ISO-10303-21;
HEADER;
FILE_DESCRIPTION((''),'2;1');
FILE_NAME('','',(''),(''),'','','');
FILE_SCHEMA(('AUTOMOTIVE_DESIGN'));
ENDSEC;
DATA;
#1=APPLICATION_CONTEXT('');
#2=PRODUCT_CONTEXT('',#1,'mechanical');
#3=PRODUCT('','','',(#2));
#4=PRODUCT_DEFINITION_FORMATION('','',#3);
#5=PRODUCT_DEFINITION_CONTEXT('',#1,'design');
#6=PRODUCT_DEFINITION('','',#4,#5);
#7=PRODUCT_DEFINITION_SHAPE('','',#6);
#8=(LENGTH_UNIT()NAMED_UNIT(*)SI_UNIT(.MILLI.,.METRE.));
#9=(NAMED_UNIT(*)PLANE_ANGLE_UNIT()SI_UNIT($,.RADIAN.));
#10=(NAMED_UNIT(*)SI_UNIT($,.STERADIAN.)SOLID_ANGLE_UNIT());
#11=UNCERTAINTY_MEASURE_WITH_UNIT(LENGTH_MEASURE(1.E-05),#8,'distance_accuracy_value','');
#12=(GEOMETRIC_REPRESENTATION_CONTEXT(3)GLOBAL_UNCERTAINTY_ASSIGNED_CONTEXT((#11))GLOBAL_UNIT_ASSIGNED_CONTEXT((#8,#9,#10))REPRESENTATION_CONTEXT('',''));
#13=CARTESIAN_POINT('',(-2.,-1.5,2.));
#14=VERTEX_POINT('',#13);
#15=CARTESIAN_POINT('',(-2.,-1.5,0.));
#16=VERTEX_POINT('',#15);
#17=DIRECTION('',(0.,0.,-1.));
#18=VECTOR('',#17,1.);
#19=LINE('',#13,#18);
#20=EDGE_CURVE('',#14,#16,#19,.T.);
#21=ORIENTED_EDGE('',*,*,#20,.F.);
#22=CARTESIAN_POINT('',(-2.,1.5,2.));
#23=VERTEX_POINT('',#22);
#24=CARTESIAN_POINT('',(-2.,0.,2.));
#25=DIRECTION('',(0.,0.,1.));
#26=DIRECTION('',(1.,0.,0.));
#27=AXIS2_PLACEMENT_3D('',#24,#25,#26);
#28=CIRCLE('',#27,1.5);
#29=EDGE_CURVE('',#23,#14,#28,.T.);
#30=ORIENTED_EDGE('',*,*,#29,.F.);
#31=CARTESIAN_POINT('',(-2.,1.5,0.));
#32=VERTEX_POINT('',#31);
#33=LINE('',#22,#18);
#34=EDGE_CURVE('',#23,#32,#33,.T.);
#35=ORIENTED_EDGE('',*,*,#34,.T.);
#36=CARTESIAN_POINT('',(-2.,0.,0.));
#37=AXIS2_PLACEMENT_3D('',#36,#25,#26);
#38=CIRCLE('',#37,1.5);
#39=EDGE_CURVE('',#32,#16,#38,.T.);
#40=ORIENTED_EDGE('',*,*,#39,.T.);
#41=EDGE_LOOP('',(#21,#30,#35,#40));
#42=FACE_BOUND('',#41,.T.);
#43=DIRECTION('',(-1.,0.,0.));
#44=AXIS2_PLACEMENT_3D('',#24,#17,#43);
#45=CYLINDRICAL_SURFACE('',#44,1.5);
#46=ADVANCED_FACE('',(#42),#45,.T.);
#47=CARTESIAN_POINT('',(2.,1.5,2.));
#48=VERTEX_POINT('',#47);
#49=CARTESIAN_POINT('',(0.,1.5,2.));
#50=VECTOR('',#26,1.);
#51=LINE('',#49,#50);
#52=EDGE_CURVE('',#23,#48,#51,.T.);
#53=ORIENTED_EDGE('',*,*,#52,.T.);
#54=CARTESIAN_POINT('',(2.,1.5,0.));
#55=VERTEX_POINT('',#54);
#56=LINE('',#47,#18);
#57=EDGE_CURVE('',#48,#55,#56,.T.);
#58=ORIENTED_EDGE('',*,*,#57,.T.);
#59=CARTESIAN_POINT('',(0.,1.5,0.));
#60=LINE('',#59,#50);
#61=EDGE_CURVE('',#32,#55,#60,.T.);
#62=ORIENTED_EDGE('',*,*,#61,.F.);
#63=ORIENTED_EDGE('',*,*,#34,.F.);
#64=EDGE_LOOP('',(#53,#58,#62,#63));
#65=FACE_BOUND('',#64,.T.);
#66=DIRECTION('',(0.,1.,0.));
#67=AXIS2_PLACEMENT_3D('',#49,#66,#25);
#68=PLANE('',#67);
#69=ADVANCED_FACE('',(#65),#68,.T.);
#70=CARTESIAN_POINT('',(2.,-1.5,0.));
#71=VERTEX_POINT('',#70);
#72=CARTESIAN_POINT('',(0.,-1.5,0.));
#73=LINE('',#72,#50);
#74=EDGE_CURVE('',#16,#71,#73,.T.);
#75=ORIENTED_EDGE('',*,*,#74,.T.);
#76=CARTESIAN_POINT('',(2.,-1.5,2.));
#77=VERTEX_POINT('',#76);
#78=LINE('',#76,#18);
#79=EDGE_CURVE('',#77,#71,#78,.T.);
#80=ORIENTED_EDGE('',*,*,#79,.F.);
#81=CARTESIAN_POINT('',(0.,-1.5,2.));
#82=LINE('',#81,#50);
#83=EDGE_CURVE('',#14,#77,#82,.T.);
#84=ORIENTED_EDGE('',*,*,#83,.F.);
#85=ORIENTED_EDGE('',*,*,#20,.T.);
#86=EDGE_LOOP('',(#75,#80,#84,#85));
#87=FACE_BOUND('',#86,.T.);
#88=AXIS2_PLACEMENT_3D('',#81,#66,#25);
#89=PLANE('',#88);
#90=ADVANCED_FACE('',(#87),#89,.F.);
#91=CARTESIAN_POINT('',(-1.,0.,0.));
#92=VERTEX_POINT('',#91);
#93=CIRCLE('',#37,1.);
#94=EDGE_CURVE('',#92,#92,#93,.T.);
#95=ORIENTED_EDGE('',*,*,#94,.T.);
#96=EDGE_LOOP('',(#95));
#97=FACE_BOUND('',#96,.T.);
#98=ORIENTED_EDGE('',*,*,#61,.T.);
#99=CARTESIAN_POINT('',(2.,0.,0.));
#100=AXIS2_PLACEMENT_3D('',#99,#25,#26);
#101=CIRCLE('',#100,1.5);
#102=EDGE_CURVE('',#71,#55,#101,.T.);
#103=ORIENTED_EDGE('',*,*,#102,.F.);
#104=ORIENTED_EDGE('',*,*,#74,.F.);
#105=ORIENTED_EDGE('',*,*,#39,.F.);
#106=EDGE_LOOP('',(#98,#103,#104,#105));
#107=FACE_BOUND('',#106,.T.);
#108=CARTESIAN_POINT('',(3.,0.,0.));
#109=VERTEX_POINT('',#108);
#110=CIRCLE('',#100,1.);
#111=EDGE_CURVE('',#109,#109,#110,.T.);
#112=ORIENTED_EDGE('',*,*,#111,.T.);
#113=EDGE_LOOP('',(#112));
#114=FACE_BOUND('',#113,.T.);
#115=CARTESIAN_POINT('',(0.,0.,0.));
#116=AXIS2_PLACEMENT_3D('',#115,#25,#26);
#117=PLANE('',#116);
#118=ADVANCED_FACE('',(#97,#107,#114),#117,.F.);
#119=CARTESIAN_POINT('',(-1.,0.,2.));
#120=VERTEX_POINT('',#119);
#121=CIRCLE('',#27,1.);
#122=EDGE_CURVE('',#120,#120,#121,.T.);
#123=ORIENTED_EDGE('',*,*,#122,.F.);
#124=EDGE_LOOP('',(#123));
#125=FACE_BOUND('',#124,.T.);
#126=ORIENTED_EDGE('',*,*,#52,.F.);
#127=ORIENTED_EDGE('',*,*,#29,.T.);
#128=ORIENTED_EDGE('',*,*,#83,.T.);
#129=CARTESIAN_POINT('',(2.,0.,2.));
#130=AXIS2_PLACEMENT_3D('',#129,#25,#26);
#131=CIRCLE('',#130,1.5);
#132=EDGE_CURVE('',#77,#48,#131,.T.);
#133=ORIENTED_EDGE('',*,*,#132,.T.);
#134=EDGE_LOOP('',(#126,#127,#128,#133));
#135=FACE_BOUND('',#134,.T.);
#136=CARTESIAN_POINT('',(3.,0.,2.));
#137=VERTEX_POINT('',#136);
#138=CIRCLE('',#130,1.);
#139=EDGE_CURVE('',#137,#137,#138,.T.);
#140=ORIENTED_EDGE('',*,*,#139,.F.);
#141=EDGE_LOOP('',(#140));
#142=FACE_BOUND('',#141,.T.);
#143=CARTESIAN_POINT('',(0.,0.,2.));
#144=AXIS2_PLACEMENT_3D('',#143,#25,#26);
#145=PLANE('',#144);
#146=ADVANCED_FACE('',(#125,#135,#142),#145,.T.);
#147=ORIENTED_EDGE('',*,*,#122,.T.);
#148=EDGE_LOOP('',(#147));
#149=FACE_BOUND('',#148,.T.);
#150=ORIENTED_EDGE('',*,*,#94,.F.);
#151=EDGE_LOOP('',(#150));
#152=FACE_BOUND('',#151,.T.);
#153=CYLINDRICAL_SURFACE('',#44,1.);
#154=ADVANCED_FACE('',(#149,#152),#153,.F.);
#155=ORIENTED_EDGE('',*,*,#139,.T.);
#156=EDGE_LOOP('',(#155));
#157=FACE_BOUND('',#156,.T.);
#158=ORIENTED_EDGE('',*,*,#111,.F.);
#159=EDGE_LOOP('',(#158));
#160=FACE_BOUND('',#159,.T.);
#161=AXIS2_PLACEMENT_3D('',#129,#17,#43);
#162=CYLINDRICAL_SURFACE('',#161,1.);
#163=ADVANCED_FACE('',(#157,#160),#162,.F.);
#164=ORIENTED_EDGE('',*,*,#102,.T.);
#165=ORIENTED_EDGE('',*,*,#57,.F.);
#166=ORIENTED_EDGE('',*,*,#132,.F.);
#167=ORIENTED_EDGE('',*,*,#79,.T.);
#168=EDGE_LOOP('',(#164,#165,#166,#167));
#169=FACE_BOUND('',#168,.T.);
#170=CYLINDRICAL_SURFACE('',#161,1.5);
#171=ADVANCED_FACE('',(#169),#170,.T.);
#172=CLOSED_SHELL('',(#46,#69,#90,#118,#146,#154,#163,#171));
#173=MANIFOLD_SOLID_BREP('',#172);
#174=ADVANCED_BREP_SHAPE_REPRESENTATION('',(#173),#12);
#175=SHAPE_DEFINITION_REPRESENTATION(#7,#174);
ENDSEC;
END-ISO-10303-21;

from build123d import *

# Parameters (mm, degrees)
SKETCH1_R           = 1.5
SKETCH1_R_2         = 1
BOSS_EXTRUDE1_DEPTH = 2


with BuildPart() as part:
    # Sketch1 → Boss-Extrude1 (new body)
    # profile 1 of 3: a face of its own
    with BuildSketch(Plane.XY):
        with Locations((-2, 0)):
            Circle(SKETCH1_R)
        with Locations((-2, 0)):
            Circle(SKETCH1_R_2, mode=Mode.SUBTRACT)
    # profile 2 of 3: a face of its own
    with BuildSketch(Plane.XY):
        with BuildLine():
            ThreePointArc((-0.5, 0), (-0.939339828, -1.060660172), (-2, -1.5))
            Line((-2, -1.5), (2, -1.5))
            ThreePointArc((2, -1.5), (0.5, 0), (2, 1.5))
            Line((2, 1.5), (-2, 1.5))
            ThreePointArc((-2, 1.5), (-0.939339828, 1.060660172), (-0.5, 0))
        make_face()
    # profile 3 of 3: a face of its own
    with BuildSketch(Plane.XY):
        with Locations((2, 0)):
            Circle(SKETCH1_R)
        with Locations((2, 0)):
            Circle(SKETCH1_R_2, mode=Mode.SUBTRACT)
    extrude(amount=BOSS_EXTRUDE1_DEPTH)


solid = part.part
